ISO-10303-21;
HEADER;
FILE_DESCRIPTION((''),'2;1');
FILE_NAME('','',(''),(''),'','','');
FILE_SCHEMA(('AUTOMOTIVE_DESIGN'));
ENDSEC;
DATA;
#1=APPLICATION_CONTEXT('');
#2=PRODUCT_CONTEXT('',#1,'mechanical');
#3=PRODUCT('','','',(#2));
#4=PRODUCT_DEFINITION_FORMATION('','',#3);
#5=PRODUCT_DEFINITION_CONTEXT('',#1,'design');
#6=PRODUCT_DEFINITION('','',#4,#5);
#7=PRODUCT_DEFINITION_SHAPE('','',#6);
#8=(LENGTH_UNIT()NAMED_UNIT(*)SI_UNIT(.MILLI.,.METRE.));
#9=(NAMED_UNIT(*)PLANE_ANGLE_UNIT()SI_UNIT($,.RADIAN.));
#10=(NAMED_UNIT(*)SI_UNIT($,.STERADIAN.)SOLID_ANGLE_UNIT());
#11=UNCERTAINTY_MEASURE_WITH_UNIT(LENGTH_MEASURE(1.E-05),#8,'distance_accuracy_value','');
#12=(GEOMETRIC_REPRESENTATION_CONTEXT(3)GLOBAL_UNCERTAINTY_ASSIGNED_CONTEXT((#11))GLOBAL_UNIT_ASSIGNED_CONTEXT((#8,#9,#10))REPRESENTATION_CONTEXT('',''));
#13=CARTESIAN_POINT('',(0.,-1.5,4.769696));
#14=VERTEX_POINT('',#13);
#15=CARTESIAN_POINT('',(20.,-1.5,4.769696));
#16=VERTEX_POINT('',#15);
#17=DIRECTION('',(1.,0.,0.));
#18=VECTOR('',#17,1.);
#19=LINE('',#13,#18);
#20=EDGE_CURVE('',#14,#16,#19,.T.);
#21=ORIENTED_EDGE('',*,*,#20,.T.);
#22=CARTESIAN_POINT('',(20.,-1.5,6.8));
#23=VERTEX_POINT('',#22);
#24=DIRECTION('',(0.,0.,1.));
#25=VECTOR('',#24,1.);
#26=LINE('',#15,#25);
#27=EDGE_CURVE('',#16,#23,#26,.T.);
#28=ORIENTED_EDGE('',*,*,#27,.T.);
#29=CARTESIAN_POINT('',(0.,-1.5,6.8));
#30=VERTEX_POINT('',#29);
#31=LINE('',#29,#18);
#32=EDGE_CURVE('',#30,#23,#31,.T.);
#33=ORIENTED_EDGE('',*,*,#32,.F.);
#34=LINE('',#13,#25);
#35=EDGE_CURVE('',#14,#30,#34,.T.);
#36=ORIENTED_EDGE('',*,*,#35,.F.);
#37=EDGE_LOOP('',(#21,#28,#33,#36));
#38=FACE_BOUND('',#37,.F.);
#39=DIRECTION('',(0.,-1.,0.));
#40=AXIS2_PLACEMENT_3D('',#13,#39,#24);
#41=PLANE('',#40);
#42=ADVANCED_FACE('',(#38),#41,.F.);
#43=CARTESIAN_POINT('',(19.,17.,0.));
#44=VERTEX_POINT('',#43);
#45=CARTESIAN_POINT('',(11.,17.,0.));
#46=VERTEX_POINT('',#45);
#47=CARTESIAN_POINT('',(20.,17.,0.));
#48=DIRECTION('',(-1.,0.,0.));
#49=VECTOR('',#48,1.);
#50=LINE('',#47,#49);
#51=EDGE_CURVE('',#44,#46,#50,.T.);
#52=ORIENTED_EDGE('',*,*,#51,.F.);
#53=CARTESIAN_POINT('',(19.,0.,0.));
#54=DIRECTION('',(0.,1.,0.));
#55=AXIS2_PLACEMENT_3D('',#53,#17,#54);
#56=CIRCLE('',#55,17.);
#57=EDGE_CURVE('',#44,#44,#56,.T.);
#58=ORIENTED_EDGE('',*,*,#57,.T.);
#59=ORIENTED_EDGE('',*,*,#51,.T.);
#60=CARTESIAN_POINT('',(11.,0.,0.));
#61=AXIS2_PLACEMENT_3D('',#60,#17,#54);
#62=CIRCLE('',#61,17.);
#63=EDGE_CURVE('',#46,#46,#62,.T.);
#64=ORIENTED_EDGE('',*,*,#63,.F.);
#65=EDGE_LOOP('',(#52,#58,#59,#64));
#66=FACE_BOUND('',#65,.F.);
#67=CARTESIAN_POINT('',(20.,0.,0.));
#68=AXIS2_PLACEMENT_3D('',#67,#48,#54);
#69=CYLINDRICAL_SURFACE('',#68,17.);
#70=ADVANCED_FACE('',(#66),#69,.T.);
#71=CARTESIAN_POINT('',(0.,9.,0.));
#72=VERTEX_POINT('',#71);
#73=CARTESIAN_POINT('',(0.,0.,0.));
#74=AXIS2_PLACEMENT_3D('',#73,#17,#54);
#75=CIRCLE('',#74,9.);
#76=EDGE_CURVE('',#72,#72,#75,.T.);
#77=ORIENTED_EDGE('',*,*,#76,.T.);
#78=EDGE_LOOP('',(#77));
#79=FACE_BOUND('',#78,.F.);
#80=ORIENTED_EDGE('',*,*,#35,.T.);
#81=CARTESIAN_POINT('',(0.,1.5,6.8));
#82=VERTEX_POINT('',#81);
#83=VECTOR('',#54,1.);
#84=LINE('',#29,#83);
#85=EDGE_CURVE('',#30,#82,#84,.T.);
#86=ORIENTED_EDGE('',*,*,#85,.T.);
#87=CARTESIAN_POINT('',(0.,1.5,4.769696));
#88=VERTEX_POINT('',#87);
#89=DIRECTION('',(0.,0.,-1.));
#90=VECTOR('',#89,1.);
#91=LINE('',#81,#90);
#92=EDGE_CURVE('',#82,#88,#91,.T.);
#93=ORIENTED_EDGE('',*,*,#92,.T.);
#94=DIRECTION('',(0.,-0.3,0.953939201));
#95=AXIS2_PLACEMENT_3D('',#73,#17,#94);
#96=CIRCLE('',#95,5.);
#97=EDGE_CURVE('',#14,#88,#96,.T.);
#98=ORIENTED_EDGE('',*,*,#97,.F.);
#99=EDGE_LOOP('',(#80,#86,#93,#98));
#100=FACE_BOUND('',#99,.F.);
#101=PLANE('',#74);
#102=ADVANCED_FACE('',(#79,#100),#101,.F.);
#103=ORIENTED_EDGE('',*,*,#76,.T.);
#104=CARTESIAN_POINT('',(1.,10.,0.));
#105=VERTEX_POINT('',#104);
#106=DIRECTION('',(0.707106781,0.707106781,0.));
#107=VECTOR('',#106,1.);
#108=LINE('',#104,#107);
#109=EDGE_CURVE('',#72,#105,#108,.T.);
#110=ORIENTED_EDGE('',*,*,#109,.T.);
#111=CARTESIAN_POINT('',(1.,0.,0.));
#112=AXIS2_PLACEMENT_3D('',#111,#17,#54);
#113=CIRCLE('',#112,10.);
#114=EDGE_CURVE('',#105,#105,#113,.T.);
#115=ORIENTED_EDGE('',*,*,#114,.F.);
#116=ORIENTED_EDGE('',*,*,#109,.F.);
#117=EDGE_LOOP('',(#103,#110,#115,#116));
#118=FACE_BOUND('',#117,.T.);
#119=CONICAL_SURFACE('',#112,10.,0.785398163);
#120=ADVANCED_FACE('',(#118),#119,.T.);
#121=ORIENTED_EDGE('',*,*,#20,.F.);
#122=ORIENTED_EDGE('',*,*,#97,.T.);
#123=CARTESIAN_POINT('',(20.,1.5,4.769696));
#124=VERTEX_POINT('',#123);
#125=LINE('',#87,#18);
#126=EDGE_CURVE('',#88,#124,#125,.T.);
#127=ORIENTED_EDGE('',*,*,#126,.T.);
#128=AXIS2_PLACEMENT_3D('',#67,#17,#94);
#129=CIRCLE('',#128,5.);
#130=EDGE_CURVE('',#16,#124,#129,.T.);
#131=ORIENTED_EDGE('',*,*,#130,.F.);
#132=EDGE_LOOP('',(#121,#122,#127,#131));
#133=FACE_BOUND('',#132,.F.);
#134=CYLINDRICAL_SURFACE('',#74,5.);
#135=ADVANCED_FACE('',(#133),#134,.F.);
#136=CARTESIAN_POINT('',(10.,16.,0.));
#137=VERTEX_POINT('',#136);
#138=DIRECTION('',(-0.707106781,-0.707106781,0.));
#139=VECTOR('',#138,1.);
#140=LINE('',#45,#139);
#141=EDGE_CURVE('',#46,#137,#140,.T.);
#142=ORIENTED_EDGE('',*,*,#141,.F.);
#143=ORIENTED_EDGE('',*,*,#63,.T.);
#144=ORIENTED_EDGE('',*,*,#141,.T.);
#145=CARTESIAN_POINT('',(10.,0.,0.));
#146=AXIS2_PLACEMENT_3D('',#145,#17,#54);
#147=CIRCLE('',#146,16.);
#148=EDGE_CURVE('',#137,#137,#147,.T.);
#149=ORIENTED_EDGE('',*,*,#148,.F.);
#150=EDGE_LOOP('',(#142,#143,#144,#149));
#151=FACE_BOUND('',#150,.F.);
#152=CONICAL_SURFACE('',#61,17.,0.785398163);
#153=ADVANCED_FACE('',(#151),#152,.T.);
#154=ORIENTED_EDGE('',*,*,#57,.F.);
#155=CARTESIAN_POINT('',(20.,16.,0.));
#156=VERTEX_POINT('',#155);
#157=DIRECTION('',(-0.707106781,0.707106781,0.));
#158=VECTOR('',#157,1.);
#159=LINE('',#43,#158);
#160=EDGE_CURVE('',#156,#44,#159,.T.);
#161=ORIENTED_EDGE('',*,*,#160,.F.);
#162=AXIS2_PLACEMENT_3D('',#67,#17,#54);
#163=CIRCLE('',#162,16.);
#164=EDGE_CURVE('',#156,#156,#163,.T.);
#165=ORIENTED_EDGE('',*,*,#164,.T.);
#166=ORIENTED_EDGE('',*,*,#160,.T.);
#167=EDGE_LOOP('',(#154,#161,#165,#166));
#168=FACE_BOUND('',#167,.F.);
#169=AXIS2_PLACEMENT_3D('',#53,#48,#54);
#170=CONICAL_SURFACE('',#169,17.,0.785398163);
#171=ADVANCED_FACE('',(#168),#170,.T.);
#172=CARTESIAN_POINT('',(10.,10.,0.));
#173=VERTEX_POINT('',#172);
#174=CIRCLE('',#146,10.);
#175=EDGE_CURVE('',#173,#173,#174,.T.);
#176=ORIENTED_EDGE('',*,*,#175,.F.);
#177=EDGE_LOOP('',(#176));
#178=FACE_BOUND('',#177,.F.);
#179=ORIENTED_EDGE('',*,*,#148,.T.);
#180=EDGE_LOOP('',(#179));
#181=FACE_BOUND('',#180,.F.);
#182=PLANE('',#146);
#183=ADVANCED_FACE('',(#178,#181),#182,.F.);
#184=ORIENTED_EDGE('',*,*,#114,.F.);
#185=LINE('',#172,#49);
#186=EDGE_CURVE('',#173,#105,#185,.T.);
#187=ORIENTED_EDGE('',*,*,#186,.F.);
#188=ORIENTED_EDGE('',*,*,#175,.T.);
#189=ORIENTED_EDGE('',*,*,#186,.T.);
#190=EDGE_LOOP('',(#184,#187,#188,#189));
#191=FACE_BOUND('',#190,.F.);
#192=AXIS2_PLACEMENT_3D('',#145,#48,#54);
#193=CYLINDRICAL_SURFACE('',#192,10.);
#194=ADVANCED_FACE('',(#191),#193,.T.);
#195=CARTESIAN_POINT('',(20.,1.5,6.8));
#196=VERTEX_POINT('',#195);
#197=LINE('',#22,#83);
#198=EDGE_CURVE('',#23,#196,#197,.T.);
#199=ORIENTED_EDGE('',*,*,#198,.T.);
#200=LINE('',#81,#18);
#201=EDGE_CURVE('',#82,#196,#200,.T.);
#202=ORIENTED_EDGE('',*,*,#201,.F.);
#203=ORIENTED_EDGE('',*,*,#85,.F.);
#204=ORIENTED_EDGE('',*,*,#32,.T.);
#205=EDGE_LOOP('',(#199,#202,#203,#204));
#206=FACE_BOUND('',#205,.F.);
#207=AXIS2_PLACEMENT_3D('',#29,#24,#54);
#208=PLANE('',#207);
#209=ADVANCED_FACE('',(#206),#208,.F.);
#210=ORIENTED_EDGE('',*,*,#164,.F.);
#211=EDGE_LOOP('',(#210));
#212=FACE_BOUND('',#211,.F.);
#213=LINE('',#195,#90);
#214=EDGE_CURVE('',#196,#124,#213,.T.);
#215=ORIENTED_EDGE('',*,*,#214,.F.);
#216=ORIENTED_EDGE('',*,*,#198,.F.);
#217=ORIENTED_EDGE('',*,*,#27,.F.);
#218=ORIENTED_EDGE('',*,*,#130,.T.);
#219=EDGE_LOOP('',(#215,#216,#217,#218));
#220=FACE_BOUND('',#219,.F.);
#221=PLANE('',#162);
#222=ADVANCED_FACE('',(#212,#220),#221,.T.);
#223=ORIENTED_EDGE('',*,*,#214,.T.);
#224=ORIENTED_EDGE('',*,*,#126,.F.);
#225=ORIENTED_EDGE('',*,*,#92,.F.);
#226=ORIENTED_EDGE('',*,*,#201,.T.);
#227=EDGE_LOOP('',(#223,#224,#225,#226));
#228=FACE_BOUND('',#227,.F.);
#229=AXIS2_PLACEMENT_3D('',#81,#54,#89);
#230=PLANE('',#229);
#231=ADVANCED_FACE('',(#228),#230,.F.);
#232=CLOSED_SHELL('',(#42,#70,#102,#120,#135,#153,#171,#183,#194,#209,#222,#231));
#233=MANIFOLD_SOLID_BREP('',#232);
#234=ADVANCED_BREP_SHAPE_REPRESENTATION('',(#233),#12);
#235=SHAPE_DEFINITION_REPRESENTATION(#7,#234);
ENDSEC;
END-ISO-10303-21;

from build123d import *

# Parameters (mm, degrees)
F2_SIZE  = 1
F4_DEPTH = 20


with BuildPart() as f1:
    # F0 (on Top) → F1 (revolve)
    with BuildSketch(Plane.XY):
        Polygon((0, 10), (0, 5), (20, 5), (20, 17), (10, 17), (10, 10), align=None)
    revolve(axis=Axis((38.073346, 0, 0), (1, 0, 0)))

    # F2
    f2_edges = [f1.edges().sort_by_distance(p)[0] for p in [
        (0, -10, 0),
        (10, -17, 0),
        (20, -17, 0),
    ]]
    chamfer(f2_edges, length=F2_SIZE)

    # F3 (on face) → F4 (cut)
    with BuildSketch(Plane(origin=(0, 0, 0), x_dir=(0, -1, 0), z_dir=(-1, 0, 0))):
        with BuildLine():
            Line((1.5, 6.8), (0, 6.8))
            Line((0, 6.8), (-1.5, 6.8))
            Line((-1.5, 6.8), (-1.5, 4.769696))
            ThreePointArc((-1.5, 4.769696), (0, 5), (1.5, 4.769696))
            Line((1.5, 4.769696), (1.5, 6.8))
        make_face()
    extrude(amount=-F4_DEPTH, mode=Mode.SUBTRACT)


solid = f1.part
